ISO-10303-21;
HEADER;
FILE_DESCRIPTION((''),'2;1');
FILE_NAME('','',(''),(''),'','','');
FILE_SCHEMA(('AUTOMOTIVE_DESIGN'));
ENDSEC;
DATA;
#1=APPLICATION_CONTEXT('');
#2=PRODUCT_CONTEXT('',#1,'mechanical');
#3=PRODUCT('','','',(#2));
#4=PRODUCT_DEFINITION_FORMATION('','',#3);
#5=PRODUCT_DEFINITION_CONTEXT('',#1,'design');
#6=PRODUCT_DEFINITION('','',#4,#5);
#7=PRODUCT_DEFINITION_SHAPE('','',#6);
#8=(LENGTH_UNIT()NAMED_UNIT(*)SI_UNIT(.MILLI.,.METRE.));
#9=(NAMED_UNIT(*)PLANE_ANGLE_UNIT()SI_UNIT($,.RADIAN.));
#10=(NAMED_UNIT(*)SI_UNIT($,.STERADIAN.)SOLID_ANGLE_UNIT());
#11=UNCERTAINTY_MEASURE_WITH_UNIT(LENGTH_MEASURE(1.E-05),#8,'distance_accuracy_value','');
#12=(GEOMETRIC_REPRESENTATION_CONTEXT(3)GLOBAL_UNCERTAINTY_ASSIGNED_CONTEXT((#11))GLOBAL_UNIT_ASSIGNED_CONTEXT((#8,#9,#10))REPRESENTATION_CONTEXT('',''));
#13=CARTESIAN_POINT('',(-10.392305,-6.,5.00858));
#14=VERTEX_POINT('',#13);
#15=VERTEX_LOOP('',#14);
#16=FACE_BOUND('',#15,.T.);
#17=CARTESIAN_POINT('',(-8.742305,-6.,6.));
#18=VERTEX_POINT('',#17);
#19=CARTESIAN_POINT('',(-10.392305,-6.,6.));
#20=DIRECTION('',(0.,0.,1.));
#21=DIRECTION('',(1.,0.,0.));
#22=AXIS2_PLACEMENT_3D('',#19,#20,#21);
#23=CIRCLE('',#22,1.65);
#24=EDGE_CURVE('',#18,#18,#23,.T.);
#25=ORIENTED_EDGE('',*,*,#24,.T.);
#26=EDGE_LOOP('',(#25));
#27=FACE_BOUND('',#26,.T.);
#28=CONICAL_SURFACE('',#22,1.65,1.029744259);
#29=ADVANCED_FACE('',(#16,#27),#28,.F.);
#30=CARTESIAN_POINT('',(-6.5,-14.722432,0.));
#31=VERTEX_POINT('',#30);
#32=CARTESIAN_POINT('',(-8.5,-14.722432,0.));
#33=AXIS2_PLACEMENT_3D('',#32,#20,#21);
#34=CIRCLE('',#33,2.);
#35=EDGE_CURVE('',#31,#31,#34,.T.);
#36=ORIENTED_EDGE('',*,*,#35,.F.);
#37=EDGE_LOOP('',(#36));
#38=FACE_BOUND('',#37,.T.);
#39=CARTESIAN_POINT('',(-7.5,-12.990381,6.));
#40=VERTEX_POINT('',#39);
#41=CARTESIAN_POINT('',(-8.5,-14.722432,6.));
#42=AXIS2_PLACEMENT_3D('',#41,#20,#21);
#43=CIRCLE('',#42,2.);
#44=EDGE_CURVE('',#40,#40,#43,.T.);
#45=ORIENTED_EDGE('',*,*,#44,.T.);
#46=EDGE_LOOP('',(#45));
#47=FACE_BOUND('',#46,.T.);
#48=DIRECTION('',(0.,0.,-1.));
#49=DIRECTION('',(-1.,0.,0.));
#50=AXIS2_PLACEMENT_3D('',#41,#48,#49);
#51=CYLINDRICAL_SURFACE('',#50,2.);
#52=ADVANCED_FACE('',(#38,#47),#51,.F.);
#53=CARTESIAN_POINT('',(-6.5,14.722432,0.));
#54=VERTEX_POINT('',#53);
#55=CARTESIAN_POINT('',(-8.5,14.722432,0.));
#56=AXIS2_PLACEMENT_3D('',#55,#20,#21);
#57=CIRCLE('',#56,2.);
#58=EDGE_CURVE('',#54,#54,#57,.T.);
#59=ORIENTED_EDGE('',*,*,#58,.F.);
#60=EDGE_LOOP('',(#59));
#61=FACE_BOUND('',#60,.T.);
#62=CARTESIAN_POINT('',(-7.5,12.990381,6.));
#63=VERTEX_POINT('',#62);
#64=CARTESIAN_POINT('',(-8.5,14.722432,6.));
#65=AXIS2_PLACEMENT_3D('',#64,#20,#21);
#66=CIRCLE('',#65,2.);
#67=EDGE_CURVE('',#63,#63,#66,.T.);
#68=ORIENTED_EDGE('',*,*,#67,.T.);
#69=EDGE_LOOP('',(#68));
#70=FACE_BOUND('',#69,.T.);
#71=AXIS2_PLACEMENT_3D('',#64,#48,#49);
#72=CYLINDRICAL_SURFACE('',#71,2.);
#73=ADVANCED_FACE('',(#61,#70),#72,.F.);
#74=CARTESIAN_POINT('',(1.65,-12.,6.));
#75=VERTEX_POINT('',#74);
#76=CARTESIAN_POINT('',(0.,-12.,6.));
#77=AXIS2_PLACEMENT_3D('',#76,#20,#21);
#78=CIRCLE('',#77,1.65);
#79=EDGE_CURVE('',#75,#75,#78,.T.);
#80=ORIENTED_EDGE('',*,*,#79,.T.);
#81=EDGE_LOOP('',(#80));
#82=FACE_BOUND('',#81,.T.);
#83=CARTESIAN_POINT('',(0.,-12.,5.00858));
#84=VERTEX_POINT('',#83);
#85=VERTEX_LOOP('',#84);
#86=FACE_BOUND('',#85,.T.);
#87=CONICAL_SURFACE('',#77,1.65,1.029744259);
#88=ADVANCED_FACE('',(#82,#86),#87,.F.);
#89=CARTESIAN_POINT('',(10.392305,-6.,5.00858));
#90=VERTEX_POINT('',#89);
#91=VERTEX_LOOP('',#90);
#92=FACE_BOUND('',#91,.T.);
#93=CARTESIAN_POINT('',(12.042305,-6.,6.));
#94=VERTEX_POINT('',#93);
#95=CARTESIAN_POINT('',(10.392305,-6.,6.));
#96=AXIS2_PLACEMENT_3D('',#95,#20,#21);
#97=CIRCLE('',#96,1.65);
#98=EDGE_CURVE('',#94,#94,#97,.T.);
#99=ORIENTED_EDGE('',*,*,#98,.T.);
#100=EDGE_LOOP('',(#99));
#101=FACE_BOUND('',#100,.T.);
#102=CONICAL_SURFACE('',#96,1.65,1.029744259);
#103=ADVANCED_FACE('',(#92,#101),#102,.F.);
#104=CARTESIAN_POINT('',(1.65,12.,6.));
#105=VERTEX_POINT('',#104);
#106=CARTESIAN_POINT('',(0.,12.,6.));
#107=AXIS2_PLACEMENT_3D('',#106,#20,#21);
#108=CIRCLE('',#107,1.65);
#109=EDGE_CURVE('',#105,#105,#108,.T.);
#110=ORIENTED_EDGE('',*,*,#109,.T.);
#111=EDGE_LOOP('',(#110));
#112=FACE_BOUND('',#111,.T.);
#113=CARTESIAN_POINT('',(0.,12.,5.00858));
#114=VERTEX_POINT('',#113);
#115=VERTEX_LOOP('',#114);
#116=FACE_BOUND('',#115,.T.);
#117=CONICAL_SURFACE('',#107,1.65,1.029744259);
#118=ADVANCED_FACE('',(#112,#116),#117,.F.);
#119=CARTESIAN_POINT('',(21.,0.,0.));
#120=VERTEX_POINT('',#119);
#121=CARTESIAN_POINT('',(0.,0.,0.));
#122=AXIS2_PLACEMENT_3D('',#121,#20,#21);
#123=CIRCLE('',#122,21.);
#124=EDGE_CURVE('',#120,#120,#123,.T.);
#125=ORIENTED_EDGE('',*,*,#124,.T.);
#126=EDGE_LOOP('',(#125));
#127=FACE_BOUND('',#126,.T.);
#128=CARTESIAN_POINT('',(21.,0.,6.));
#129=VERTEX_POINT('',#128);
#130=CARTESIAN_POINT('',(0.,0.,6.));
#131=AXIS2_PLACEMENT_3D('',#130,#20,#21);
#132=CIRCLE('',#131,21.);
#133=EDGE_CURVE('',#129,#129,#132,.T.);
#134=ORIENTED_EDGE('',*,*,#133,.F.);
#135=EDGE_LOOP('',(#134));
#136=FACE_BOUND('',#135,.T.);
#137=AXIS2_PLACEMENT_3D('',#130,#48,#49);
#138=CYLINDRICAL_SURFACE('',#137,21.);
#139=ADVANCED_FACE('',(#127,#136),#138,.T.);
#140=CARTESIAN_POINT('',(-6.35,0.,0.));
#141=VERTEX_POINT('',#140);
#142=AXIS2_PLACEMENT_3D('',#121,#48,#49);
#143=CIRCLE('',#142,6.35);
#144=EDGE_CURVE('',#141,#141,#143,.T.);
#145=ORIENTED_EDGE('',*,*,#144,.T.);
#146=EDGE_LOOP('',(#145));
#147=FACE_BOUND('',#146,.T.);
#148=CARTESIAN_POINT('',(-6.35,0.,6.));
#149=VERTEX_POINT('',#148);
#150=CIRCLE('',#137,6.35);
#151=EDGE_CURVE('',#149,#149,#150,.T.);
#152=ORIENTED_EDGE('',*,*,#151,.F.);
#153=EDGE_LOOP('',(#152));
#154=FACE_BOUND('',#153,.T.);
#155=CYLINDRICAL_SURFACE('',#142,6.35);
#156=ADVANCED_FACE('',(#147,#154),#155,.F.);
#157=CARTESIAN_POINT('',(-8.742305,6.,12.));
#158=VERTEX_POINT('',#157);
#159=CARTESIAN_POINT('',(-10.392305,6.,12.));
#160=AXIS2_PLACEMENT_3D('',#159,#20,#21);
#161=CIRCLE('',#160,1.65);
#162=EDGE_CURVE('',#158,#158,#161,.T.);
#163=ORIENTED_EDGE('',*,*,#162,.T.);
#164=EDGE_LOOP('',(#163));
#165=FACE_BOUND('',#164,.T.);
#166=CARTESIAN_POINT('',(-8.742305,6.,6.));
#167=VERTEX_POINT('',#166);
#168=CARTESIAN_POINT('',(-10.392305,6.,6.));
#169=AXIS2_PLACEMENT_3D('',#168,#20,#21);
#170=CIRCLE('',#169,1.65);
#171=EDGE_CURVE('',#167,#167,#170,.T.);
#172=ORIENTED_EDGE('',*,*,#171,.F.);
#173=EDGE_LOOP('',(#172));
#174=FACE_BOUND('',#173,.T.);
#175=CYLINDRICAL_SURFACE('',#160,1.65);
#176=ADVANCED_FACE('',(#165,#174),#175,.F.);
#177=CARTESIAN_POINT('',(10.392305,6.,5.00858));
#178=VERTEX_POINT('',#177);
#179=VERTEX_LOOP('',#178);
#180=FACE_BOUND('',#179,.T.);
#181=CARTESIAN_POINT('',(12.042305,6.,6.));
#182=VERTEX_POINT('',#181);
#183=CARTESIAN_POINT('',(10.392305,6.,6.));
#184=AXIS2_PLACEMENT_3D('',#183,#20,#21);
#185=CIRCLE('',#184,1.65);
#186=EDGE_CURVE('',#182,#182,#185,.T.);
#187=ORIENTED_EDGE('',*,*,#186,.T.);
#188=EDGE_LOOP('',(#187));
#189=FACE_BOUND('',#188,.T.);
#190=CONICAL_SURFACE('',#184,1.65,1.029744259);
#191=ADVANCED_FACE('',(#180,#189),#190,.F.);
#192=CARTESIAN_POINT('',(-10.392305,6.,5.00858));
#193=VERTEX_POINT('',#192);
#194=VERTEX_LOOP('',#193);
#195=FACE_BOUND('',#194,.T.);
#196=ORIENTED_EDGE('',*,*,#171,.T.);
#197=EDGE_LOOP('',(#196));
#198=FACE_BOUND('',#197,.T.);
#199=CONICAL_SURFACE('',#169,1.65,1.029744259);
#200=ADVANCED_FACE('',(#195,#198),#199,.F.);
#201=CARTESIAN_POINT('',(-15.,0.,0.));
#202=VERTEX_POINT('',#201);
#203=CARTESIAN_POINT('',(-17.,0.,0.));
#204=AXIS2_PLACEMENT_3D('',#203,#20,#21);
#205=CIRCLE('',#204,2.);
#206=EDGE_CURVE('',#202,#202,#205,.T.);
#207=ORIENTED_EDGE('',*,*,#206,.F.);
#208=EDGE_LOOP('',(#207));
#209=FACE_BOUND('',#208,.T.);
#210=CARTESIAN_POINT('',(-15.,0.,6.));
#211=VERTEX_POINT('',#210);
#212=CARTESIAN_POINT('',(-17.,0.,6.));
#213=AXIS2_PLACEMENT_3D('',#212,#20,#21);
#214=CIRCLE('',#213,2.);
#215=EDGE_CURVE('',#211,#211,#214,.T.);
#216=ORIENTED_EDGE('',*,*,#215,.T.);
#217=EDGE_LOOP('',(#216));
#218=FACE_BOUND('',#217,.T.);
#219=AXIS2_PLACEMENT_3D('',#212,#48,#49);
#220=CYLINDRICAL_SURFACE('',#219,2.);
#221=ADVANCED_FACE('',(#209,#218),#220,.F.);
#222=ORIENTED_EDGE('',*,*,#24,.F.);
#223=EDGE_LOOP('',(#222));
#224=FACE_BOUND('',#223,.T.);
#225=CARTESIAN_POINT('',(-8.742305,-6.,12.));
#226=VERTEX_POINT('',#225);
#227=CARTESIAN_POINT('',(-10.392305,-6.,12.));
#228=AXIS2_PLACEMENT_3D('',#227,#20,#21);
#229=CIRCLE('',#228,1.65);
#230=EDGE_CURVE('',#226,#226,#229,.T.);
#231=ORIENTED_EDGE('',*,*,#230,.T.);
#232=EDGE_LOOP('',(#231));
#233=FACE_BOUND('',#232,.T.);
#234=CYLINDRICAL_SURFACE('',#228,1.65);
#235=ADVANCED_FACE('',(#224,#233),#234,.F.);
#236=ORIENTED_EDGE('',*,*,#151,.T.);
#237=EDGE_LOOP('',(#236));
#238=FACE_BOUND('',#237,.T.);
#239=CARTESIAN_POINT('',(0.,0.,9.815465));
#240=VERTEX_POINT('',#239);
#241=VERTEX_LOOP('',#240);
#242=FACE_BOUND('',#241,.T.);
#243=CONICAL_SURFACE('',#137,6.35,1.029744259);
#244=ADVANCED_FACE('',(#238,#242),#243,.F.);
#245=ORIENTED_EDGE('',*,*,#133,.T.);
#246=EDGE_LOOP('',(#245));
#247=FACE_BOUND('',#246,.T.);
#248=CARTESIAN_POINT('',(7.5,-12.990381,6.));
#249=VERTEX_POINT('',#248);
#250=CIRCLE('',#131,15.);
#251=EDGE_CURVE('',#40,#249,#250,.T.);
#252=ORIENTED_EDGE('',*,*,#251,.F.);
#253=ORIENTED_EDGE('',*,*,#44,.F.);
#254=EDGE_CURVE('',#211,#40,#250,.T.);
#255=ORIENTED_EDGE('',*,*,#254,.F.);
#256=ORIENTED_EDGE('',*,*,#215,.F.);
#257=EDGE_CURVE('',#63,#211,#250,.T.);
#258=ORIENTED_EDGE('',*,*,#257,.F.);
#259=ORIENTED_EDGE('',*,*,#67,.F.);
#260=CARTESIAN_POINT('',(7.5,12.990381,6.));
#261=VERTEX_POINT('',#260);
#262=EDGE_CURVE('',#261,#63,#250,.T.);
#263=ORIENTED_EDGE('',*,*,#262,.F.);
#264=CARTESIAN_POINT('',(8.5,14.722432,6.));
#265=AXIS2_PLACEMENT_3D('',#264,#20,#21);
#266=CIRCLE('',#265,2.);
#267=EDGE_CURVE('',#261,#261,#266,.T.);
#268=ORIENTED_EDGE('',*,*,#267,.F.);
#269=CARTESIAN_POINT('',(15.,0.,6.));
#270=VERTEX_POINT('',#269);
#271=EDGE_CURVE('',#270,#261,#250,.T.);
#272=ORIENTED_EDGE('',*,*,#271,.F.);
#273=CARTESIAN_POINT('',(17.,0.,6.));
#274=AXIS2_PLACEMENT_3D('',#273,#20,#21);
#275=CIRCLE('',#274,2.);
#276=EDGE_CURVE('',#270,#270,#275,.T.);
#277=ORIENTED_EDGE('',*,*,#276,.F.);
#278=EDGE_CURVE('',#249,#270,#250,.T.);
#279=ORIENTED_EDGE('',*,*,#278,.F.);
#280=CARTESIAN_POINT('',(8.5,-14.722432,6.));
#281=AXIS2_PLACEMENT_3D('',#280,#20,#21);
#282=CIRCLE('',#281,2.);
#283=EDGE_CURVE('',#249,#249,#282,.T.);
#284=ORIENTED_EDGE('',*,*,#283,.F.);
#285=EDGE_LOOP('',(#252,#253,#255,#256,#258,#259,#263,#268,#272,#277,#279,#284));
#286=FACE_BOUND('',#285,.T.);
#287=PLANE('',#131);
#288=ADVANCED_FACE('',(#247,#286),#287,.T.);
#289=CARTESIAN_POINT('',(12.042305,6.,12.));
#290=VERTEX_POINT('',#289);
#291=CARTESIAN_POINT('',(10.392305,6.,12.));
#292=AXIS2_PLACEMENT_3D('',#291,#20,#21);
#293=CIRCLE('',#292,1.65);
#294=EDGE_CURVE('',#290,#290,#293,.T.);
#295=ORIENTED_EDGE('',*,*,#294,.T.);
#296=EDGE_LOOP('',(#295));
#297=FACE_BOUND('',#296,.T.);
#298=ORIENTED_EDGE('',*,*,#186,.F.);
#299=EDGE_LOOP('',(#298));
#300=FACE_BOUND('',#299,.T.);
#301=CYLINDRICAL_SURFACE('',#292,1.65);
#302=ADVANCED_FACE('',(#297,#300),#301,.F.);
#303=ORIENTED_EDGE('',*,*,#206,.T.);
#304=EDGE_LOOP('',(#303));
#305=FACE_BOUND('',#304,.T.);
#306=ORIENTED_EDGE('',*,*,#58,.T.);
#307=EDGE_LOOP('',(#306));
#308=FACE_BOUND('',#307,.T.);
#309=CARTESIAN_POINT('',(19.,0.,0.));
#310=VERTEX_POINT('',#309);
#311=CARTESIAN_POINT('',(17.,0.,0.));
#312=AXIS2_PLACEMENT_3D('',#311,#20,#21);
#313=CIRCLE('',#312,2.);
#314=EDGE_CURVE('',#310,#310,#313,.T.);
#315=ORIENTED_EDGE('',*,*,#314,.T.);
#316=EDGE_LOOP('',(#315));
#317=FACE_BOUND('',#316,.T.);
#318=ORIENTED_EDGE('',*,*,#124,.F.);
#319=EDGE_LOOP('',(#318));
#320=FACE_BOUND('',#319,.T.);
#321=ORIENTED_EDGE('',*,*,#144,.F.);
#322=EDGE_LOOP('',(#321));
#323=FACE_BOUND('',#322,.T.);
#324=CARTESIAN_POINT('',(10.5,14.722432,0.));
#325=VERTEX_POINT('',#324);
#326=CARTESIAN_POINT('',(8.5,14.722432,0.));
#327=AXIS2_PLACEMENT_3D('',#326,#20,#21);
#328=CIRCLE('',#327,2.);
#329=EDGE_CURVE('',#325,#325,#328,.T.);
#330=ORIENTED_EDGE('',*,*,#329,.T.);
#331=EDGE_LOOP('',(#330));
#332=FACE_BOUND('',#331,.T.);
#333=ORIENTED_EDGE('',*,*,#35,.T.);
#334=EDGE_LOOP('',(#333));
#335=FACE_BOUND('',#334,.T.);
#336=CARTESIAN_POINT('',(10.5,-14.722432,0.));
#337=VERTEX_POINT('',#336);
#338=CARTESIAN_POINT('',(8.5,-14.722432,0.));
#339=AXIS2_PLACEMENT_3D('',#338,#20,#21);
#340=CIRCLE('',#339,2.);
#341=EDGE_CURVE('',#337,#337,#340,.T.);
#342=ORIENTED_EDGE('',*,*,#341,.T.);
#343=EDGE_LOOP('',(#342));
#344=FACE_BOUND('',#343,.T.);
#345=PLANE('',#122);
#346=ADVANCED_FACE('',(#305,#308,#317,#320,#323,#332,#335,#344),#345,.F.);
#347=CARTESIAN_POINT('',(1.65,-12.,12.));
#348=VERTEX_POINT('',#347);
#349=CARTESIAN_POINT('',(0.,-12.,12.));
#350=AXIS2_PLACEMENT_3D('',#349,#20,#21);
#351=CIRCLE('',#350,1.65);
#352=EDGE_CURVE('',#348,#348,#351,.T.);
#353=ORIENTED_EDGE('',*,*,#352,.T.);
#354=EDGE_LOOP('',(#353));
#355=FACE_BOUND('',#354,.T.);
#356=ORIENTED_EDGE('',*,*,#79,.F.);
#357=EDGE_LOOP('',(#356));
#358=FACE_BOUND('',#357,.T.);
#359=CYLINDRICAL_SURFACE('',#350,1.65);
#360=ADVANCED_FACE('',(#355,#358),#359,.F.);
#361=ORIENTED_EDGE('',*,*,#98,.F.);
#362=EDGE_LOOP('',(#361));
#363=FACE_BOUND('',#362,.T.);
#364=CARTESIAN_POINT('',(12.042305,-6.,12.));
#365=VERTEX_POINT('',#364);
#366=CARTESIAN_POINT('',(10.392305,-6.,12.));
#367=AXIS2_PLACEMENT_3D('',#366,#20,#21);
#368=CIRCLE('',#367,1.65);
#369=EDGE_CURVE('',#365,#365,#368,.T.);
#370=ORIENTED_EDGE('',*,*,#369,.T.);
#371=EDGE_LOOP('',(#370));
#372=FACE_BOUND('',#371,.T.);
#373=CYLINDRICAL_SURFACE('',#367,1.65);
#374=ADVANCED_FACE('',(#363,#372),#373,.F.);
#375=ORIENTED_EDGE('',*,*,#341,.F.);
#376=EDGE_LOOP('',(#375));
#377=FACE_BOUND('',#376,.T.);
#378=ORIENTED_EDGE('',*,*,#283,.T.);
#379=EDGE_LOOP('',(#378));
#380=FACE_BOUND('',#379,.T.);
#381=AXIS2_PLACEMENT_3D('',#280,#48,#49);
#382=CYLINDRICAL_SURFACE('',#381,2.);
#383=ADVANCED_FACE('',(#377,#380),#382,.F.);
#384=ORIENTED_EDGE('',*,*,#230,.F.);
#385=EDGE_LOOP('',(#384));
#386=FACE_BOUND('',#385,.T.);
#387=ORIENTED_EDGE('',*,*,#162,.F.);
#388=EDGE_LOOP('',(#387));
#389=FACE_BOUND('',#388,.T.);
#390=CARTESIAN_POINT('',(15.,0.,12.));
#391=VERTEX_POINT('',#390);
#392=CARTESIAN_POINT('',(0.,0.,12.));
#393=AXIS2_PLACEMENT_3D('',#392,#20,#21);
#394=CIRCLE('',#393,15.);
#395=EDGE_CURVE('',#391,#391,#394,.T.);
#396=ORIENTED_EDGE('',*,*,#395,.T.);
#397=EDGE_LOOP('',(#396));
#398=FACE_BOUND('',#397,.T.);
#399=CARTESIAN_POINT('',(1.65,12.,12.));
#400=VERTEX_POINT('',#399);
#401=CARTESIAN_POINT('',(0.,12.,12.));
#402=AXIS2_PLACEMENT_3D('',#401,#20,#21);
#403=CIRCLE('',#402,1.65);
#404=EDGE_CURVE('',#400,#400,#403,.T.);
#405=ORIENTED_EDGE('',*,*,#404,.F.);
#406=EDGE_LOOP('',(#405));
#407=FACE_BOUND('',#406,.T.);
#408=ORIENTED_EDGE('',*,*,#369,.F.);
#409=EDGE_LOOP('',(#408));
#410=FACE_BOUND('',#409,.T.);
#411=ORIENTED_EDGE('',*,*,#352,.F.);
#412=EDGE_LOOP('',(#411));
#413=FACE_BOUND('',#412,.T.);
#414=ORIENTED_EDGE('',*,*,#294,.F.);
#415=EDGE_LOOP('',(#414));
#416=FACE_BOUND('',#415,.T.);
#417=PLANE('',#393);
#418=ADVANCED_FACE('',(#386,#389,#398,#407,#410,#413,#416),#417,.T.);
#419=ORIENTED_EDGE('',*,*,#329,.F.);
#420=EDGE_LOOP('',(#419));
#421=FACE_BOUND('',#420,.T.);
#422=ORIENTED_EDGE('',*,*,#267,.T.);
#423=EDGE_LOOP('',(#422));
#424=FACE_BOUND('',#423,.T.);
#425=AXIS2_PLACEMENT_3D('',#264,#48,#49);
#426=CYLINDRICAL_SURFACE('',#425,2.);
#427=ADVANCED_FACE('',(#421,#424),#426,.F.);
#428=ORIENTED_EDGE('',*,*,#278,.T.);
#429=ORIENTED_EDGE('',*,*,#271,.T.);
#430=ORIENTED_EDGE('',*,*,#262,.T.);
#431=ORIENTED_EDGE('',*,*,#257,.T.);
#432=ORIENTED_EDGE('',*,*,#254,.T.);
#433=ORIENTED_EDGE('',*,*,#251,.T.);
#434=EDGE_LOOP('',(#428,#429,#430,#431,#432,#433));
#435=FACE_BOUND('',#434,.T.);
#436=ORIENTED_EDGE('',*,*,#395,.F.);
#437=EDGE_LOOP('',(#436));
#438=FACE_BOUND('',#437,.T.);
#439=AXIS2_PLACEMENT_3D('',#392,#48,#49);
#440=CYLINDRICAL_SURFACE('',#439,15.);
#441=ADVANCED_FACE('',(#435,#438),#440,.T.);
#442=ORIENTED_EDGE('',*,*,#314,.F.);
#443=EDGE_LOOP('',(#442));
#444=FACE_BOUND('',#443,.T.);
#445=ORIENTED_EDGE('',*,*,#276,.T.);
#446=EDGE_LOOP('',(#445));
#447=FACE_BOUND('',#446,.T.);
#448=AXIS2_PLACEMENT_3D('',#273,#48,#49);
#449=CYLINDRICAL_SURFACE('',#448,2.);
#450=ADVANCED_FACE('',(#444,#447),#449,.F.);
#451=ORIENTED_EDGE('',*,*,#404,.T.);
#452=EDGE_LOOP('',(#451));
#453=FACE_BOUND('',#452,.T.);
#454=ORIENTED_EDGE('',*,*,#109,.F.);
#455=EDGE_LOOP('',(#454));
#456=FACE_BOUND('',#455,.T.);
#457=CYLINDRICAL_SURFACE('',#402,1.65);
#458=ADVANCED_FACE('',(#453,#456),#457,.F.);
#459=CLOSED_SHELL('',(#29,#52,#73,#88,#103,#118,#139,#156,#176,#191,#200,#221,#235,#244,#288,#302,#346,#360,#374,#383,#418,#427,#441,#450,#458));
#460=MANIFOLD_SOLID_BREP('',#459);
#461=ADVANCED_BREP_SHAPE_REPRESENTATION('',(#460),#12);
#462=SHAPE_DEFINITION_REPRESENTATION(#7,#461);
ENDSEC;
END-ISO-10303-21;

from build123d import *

# Parameters (mm, degrees)
SKETCH1_R                      = 21
SKETCH1_R_2                    = 2
BOSS_EXTRUDE1_DEPTH            = 6
SKETCH2_R                      = 15
BOSS_EXTRUDE2_DEPTH            = 6
F_3_3_3_3_DIAMETER_HOLE1_D     = 3.3
F_3_3_3_3_DIAMETER_HOLE1_DEPTH = 6
F_3_3_3_3_DIAMETER_HOLE1_TIP   = 0.991420021
F_1_2_0_5_DIAMETER_HOLE1_D     = 12.7
F_1_2_0_5_DIAMETER_HOLE1_DEPTH = 6
F_1_2_0_5_DIAMETER_HOLE1_TIP   = 3.815464931


with BuildPart() as part:
    # Sketch1 → Boss-Extrude1 (new body)
    with BuildSketch(Plane(origin=(0, 0, 0), x_dir=(0, 1, 0), z_dir=(0, 0, 1))):
        with Locations(Location((0, 0, 0), (0, 0, 270))):
            Circle(SKETCH1_R)
        with Locations(Location((0, 17, 0), (0, 0, 270))):
            Circle(SKETCH1_R_2, mode=Mode.SUBTRACT)
        with Locations(Location((14.722431864, 8.5, 0), (0, 0, 270))):
            Circle(SKETCH1_R_2, mode=Mode.SUBTRACT)
        with Locations(Location((14.722431864, -8.5, 0), (0, 0, 270))):
            Circle(SKETCH1_R_2, mode=Mode.SUBTRACT)
        with Locations(Location((0, -17, 0), (0, 0, 270))):
            Circle(SKETCH1_R_2, mode=Mode.SUBTRACT)
        with Locations(Location((-14.722431864, -8.5, 0), (0, 0, 270))):
            Circle(SKETCH1_R_2, mode=Mode.SUBTRACT)
        with Locations(Location((-14.722431864, 8.5, 0), (0, 0, 270))):
            Circle(SKETCH1_R_2, mode=Mode.SUBTRACT)
    extrude(amount=BOSS_EXTRUDE1_DEPTH)

    # Sketch2 → Boss-Extrude2 (add)
    with BuildSketch(Plane.XY.offset(6)):
        with Locations(Location((0, 0, 0), (0, 0, 179.99992824))):
            Circle(SKETCH2_R)
    extrude(amount=BOSS_EXTRUDE2_DEPTH)

    # Ø3.3 (3.3) Diameter Hole1
    with Locations(Plane(origin=(-10.392304845, -6, 12), x_dir=(1, 0, 0), z_dir=(0, 0, 1))):
        with Locations((0, 0), (0, 12), (10.392304845, 18), (20.78460969, 12), (20.78460969, 0), (10.392304845, -6)):
            Hole(F_3_3_3_3_DIAMETER_HOLE1_D / 2, depth=F_3_3_3_3_DIAMETER_HOLE1_DEPTH)
            with Locations((0, 0, -(F_3_3_3_3_DIAMETER_HOLE1_DEPTH + F_3_3_3_3_DIAMETER_HOLE1_TIP / 2))):  # 118° drill point
                Cone(0, F_3_3_3_3_DIAMETER_HOLE1_D / 2, F_3_3_3_3_DIAMETER_HOLE1_TIP, mode=Mode.SUBTRACT)

    # 1/2 (0.5) Diameter Hole1
    with Locations(Plane(origin=(0, 0, 0), x_dir=(1, 0, 0), z_dir=(0, 0, -1))):
        with Locations((0, 0)):
            Hole(F_1_2_0_5_DIAMETER_HOLE1_D / 2, depth=F_1_2_0_5_DIAMETER_HOLE1_DEPTH)
            with Locations((0, 0, -(F_1_2_0_5_DIAMETER_HOLE1_DEPTH + F_1_2_0_5_DIAMETER_HOLE1_TIP / 2))):  # 118° drill point
                Cone(0, F_1_2_0_5_DIAMETER_HOLE1_D / 2, F_1_2_0_5_DIAMETER_HOLE1_TIP, mode=Mode.SUBTRACT)


solid = part.part
